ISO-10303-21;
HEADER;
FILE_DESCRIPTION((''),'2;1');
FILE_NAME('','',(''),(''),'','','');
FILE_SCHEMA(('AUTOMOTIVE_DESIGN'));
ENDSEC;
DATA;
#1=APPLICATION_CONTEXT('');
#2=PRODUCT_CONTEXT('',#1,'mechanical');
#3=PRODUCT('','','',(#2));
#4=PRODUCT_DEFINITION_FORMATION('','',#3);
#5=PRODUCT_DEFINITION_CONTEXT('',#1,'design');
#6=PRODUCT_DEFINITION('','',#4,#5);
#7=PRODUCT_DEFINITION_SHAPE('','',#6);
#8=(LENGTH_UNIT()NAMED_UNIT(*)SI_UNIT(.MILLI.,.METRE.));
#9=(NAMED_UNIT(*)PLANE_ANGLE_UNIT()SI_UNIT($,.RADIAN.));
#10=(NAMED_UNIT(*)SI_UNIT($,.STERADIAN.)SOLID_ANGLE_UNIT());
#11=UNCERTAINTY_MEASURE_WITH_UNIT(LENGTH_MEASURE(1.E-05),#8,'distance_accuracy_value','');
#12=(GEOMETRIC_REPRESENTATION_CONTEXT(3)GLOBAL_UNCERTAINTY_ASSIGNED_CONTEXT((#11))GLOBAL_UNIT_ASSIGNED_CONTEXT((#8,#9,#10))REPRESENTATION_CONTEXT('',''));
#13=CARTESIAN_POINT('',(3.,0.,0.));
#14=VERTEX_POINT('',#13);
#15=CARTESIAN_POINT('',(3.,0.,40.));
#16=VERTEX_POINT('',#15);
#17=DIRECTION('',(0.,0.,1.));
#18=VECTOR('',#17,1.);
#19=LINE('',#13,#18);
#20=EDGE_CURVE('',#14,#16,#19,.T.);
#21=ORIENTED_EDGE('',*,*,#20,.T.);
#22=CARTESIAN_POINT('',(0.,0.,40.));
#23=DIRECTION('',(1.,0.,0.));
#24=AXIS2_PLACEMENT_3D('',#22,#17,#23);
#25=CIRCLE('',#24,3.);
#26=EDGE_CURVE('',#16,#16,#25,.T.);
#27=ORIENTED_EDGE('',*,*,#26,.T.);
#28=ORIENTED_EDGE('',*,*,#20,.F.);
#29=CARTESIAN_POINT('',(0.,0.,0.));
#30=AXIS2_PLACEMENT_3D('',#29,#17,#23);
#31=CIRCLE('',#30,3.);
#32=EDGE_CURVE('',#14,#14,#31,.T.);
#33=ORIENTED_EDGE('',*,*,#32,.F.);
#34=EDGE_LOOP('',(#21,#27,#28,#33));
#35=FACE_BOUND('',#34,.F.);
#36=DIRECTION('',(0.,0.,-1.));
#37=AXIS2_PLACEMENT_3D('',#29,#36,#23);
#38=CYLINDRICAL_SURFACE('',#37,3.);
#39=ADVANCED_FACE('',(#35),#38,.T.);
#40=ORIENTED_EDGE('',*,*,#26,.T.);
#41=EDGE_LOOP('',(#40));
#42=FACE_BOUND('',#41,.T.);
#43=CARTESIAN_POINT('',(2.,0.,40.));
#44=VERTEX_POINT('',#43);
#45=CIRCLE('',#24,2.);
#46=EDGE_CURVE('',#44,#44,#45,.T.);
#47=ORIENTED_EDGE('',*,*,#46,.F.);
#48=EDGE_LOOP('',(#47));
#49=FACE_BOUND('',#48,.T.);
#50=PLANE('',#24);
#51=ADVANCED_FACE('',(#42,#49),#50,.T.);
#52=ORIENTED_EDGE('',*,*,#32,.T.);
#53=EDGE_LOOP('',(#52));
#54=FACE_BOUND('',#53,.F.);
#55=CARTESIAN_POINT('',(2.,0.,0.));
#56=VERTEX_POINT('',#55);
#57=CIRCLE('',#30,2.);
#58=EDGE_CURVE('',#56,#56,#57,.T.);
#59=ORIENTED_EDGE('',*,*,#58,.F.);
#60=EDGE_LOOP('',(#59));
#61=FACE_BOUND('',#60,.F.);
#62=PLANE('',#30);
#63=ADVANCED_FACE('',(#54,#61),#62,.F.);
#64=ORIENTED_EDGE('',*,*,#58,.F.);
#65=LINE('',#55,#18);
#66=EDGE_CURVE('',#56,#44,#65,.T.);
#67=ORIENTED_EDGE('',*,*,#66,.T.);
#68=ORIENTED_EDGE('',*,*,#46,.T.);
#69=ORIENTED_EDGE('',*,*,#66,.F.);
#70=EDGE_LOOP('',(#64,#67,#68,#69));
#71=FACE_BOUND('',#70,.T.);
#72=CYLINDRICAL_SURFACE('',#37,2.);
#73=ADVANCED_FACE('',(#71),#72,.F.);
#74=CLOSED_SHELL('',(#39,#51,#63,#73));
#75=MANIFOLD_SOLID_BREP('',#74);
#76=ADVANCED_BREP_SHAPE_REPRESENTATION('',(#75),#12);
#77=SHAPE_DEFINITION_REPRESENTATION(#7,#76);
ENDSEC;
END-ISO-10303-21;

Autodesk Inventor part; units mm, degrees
ref_plane "YZ Plane" through (0, 0, 0) normal (1, 0, 0) x (0, 1, 0)
ref_plane "XZ Plane" through (0, 0, 0) normal (0, 1, 0) x (-1, 0, 0)
ref_plane "XY Plane" through (0, 0, 0) normal (0, 0, 1) x (1, 0, 0)
sketch "Sketch1" plane through (0, 0, 0) normal (0, 0, 1) x (1, 0, 0)
  circle A0 centre (0, 0) radius 2
  circle A1 centre (0, 0) radius 3
  dimension "d0" = 4
  dimension "d2" = 6
extrude "Extrusion1" add sketch "Sketch1" along normal blind 40
thread "Thread1" size "M6x1" class "6g" standard "ANSI Metric M Profile" full length
properties part number "exStSteelTube"
